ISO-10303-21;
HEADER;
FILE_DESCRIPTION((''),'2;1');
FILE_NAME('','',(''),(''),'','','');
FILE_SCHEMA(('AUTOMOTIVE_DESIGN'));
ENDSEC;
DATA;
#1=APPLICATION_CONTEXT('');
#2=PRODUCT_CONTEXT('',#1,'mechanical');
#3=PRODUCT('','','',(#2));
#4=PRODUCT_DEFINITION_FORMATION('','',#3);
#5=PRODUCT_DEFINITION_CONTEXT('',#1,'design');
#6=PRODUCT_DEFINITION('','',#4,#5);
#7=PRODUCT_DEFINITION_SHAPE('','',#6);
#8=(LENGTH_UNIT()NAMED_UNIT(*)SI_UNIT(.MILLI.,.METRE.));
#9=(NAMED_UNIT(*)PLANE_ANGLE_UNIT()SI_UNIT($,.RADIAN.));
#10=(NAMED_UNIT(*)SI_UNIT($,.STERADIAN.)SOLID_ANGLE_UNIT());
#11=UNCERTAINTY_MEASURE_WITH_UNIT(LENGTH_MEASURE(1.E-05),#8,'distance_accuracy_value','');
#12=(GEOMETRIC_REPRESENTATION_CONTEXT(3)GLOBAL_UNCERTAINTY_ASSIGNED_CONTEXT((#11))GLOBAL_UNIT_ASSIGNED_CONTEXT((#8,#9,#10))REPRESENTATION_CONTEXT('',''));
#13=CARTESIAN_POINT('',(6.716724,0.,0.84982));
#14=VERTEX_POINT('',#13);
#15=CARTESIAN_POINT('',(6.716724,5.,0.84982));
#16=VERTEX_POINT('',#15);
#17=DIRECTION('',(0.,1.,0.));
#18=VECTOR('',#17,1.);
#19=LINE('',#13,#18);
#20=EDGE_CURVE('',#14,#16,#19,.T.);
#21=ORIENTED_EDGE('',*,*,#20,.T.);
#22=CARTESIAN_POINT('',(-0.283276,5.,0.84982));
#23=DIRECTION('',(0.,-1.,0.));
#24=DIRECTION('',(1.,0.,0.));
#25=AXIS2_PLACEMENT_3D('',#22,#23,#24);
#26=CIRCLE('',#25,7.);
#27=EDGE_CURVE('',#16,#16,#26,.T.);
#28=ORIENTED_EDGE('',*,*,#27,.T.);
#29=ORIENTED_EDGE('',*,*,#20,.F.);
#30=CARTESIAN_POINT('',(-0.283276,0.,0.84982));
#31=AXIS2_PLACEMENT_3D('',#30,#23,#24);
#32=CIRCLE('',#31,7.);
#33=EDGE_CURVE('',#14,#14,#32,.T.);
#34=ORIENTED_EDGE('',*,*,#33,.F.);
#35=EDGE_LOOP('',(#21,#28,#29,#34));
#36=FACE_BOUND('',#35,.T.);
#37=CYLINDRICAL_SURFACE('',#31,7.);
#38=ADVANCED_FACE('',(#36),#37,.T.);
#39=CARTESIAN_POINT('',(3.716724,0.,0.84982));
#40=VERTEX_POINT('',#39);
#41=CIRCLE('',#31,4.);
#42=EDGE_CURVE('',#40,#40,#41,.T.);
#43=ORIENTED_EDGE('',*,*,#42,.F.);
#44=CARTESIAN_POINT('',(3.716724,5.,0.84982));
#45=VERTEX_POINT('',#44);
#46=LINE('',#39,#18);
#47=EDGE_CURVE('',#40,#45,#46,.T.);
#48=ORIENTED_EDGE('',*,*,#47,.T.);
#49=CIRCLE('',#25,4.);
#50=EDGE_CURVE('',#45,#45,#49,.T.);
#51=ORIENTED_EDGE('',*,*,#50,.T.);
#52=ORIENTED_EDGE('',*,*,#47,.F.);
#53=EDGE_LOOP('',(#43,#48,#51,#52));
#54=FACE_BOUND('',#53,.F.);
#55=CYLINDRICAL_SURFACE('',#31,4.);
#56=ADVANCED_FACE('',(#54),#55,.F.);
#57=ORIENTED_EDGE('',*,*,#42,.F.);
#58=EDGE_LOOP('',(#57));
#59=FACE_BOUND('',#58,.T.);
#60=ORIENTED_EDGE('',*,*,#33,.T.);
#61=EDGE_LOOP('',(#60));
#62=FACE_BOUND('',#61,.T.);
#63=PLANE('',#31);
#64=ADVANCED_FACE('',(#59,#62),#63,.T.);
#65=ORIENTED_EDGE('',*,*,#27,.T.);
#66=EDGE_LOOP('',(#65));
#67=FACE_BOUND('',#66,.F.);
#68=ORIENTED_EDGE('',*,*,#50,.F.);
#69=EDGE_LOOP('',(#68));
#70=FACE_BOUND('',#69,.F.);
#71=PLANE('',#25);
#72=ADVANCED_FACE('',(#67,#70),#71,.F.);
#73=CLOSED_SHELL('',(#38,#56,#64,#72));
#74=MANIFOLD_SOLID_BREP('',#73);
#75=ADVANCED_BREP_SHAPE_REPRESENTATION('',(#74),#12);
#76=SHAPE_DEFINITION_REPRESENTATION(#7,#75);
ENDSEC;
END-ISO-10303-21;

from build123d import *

# Parameters (mm, degrees)
F0_R     = 7
F0_R_2   = 4
F1_DEPTH = 5


with BuildPart() as f1:
    # F0 (on Front) → F1 (new body)
    with BuildSketch(Plane.XZ):
        with Locations((-0.283276, 0.84982)):
            Circle(F0_R)
        with Locations((-0.283276, 0.84982)):
            Circle(F0_R_2, mode=Mode.SUBTRACT)
    extrude(amount=-F1_DEPTH)


solid = f1.part
